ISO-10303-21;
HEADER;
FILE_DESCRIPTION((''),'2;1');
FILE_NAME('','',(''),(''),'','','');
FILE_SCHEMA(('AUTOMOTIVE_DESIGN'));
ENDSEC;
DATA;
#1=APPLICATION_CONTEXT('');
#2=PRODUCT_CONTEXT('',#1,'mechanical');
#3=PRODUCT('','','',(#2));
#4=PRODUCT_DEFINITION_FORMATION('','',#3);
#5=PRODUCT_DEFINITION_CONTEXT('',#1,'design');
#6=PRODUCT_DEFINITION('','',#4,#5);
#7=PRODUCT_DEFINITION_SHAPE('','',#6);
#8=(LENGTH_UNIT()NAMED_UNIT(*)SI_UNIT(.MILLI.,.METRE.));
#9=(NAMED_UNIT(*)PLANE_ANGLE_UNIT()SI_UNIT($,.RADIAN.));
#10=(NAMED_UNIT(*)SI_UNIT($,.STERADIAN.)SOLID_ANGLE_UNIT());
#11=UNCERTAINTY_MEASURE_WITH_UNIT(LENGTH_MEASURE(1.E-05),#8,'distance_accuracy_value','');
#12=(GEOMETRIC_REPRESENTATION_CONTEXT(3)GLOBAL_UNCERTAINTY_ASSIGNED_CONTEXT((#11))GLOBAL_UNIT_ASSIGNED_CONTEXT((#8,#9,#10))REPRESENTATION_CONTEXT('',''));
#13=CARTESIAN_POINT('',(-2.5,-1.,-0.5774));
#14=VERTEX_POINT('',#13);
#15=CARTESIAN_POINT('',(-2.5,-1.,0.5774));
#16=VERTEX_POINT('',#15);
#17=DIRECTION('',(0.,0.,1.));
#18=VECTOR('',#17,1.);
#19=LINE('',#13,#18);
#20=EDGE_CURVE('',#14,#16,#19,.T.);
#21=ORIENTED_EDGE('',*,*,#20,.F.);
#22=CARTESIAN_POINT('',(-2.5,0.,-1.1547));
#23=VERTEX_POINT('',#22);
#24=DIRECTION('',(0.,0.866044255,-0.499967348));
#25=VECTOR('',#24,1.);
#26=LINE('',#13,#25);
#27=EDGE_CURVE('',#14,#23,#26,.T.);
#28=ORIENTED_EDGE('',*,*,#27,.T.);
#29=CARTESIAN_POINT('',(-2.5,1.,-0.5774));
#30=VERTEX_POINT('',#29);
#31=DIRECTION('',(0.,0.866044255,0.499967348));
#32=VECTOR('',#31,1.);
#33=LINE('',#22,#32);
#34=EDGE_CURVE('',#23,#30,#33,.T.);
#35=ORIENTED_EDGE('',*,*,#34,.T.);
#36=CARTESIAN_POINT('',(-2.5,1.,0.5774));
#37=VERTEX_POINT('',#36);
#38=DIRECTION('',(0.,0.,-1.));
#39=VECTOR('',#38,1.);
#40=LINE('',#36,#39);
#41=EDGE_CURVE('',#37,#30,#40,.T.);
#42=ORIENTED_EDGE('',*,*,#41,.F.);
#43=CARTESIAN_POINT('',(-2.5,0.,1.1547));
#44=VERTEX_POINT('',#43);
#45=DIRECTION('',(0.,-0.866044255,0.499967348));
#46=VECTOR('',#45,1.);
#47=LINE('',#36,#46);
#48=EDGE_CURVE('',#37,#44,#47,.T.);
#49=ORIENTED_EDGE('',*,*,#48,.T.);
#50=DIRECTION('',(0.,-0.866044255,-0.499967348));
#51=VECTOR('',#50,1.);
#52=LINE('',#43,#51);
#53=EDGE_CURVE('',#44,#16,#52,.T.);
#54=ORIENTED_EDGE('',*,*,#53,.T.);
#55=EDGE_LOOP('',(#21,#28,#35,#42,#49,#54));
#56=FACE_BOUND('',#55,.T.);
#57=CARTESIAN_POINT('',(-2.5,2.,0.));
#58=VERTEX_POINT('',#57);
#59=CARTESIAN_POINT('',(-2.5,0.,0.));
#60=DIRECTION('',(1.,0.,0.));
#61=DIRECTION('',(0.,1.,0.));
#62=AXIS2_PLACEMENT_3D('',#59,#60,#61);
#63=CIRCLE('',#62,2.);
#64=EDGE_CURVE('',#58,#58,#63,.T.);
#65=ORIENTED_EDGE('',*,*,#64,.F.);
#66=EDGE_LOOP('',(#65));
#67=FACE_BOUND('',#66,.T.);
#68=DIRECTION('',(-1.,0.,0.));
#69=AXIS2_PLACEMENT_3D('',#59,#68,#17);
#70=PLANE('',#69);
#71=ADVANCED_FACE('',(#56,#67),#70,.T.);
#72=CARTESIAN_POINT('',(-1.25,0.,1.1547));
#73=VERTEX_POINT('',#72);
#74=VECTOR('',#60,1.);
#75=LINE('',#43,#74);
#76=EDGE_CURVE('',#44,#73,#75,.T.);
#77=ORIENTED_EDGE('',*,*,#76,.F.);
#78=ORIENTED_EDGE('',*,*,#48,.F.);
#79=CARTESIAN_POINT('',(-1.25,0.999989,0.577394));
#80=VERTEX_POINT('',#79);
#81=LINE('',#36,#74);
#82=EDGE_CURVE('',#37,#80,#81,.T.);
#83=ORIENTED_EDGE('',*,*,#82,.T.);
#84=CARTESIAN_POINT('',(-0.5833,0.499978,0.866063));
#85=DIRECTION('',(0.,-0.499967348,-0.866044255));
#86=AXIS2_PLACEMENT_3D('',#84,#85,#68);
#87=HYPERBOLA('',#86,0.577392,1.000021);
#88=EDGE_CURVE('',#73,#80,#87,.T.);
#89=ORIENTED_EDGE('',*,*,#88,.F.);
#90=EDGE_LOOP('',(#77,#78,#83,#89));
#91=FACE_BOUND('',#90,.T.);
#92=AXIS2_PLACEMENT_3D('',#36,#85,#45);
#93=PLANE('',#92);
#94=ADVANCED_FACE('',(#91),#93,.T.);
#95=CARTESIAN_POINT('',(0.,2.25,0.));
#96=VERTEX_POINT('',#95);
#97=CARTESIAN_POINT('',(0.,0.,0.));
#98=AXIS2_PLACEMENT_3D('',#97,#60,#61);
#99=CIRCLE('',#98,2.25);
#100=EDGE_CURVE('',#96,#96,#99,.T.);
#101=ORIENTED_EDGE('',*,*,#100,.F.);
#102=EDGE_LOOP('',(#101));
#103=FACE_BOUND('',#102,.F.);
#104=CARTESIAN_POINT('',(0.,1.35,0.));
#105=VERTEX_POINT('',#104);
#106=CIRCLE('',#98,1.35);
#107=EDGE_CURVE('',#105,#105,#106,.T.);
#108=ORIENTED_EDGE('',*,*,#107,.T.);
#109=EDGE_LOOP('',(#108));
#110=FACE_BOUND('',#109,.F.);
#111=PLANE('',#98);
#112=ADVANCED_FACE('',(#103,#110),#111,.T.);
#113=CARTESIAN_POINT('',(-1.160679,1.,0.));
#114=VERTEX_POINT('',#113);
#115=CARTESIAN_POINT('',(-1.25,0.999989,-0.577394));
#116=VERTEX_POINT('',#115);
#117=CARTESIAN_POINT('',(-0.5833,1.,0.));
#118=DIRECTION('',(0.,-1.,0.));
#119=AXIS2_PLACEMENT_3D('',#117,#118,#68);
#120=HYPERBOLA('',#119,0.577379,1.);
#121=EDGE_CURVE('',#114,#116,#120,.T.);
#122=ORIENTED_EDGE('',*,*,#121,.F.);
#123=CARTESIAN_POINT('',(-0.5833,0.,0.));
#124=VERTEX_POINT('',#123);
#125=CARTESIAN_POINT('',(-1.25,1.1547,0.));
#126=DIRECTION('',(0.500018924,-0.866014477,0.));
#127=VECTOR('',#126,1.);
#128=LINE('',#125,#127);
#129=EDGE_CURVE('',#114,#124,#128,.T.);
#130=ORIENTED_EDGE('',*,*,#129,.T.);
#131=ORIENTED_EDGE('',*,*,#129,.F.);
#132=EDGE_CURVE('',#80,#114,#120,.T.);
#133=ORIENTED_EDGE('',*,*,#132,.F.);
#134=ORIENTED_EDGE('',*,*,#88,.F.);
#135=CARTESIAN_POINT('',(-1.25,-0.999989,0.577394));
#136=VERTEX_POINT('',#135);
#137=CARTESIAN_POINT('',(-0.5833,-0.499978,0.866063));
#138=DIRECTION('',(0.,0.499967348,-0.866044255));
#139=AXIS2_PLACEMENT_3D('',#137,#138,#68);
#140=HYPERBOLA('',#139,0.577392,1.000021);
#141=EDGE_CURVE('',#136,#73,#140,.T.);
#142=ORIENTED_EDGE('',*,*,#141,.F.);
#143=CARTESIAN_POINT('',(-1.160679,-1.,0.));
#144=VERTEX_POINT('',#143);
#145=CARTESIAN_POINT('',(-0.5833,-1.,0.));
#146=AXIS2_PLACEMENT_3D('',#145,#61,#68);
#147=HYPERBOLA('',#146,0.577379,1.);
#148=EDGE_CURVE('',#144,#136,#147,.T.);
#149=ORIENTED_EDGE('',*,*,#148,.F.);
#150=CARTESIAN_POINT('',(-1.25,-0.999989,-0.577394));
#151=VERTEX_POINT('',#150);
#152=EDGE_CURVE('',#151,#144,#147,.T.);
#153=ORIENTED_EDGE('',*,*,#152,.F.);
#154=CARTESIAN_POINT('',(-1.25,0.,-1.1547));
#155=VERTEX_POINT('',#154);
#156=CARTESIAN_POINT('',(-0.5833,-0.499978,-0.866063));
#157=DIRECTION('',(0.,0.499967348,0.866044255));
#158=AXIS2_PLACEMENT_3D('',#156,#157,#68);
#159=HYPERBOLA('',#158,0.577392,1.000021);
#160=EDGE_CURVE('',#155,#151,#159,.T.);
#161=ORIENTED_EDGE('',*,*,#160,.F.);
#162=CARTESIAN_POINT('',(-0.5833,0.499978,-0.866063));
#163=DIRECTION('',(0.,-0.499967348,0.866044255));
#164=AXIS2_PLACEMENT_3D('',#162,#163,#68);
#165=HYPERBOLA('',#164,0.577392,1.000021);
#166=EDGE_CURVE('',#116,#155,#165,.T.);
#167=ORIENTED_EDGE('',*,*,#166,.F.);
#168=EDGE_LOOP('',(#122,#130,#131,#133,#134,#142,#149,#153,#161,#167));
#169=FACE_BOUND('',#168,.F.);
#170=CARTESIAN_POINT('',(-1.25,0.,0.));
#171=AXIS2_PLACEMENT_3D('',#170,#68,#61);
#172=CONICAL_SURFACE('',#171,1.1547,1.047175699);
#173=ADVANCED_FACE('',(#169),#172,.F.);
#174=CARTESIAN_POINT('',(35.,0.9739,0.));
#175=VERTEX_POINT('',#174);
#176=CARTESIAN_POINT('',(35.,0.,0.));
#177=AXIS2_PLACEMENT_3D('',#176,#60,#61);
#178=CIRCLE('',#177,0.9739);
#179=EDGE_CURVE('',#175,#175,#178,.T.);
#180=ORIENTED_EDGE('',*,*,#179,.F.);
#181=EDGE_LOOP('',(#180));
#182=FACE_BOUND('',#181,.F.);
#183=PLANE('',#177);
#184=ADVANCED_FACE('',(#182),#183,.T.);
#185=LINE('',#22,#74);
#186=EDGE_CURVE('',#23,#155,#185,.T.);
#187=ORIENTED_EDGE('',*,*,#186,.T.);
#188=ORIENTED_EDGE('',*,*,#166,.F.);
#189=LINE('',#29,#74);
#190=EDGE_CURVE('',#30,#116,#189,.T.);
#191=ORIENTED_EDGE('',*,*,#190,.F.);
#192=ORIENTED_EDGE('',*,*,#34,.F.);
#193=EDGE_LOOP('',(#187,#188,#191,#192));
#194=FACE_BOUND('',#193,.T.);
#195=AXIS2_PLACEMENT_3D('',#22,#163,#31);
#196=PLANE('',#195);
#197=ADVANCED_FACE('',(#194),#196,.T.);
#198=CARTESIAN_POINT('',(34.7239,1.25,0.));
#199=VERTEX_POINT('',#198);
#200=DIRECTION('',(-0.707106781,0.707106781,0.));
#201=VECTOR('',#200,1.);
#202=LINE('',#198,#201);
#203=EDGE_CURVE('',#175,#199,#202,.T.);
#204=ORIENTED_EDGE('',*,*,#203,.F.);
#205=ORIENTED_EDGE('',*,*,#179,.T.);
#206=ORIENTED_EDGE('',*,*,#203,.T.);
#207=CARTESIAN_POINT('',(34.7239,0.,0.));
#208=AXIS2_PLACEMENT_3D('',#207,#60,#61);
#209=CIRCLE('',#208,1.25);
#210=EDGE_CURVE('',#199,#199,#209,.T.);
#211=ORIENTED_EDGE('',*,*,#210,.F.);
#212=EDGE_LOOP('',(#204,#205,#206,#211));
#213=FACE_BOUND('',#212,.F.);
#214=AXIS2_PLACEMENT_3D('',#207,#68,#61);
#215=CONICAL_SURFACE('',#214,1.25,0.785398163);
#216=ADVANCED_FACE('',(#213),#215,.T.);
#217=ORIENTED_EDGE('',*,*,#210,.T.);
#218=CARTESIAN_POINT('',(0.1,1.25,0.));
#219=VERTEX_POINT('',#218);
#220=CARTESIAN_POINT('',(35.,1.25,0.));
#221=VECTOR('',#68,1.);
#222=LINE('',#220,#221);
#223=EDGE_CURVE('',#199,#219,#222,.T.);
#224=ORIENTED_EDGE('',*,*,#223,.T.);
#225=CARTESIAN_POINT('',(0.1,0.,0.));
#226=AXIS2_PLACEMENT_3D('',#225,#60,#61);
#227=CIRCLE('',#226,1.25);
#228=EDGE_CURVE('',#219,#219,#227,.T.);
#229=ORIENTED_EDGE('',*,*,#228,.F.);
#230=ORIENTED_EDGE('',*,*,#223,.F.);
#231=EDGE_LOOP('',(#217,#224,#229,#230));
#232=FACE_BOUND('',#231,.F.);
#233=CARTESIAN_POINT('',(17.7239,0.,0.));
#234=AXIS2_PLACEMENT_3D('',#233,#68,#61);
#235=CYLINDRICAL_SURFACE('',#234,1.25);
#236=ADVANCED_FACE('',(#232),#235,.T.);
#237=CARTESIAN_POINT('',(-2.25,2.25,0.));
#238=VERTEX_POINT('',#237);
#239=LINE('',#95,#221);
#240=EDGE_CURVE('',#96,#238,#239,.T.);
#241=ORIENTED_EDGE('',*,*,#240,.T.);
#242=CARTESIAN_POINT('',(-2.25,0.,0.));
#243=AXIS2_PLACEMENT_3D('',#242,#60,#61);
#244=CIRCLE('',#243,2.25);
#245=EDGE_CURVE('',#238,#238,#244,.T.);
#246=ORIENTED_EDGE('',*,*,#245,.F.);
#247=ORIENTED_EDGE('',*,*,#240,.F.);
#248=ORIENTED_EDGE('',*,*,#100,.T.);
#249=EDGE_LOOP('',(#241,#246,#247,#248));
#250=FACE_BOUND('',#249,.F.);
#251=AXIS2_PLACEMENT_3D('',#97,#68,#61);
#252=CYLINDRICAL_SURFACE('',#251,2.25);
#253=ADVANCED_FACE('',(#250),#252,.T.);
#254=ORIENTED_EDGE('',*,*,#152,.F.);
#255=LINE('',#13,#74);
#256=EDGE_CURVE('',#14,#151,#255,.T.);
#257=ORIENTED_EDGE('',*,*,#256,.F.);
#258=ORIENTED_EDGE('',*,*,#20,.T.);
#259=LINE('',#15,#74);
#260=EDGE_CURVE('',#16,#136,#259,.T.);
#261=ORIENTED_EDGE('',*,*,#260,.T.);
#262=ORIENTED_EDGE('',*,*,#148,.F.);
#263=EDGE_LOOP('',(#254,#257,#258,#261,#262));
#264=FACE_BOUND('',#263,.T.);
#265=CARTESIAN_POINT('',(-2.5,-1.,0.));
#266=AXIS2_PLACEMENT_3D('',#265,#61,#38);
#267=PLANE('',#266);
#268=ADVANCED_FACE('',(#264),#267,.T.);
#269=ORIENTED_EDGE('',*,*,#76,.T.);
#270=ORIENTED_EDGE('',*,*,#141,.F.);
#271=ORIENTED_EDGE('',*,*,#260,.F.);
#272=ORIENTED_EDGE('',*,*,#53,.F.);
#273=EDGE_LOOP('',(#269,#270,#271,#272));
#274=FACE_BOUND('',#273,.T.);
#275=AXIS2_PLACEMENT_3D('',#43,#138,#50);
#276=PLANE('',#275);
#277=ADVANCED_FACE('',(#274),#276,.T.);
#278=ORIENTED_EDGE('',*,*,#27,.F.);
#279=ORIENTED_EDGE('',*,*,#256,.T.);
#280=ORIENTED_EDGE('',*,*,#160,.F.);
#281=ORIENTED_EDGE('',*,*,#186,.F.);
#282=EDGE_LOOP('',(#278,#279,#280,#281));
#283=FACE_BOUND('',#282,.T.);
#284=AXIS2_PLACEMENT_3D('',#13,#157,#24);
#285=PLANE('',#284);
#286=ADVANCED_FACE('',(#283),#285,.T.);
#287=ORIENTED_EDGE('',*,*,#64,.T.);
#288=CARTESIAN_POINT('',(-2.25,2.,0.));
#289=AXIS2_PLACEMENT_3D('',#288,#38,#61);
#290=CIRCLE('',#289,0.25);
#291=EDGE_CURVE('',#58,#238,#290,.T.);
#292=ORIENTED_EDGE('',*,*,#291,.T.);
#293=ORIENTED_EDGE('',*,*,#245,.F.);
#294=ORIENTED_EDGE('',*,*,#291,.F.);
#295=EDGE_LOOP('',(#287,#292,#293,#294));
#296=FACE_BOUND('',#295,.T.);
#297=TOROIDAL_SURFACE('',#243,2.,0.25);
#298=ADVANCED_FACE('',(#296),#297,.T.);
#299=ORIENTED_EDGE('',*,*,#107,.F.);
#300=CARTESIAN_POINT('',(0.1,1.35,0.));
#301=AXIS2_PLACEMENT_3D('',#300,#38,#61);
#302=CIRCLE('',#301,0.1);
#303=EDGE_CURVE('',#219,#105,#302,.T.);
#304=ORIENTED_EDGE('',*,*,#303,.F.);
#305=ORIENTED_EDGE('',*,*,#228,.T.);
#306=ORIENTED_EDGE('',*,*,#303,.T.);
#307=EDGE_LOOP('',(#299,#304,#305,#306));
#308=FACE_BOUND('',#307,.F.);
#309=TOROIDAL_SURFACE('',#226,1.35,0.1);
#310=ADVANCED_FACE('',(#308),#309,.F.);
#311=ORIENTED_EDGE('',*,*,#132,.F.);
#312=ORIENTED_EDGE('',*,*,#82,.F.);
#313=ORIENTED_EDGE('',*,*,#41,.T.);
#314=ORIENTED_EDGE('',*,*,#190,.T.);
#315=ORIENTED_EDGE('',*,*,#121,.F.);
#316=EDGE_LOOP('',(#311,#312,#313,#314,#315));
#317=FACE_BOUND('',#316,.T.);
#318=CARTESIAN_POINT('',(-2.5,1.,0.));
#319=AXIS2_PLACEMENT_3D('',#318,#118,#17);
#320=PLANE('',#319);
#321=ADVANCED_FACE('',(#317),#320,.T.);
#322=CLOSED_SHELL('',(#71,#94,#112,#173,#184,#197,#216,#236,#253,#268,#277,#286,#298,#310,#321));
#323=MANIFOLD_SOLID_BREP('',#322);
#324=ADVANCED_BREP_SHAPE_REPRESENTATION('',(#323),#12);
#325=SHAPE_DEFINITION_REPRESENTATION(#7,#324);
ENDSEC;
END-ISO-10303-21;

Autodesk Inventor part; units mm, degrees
ref_plane "YZ Plane" through (0, 0, 0) normal (1, 0, 0) x (0, 1, 0)
ref_plane "XZ Plane" through (0, 0, 0) normal (0, 1, 0) x (-1, 0, 0)
sketch "Sketch1" plane through (0, 0, 0) normal (0, 0, 1) x (1, 0, 0)
  line L0 (-0.5833, 0) -> (35, 0)
  line L1 (35, 0) -> (35, 1.25)
  line L2 (35, 1.25) -> (18, 1.25)
  line L3 (18, 1.25) -> (17.7239, 1.25)
  line L4 (17.7239, 1.25) -> (0, 1.25)
  line L5 (0, 1.25) -> (0, 2.25)
  line L6 (0, 2.25) -> (-2.5, 2.25)
  line L7 (-2.5, 2.25) -> (-2.5, 1.1547)
  line L8 (-2.5, 1.1547) -> (-1.25, 1.1547)
  line L9 (-1.25, 1.1547) -> (-0.5833, 0)
  line L10 (-10, 0) -> (42.5, 0) projected
  line L11 (0, -0.45) -> (0, 2.7) projected
  line L12 (18, 1.25) -> (0, 1.25) construction
  dimension "d0" = 17
  dimension "d1" = 0.2761
  dimension "d2" = 2.5
  dimension "d3" = 1.25
  dimension "d4" = 60
  dimension "d5" = 2.5
  dimension "d6" = 2.5
  dimension "d7" = 2.3094
  dimension "d8" = 4.5
  dimension "d19" = 35
revolve "Body" add sketch "Sketch1" angle 360 about axis through (-0.5833, 0, 0) along (1, 0, 0)
sketch "Sketch2" plane through (-2.5, 0, 0) normal (-1, 0, 0) x (0, 0, 1)
  circle A0 centre (0, 0) radius 1.1547 projected
  line L0 (0, -3.15) -> (0, 3.15) projected
  line L1 (-3.15, 0) -> (3.15, 0) projected
  line L2 (1.1547, 0) -> (0.5774, -1)
  line L3 (0.5774, -1) -> (-0.5774, -1)
  line L4 (-0.5774, -1) -> (-1.1547, 0)
  line L5 (-1.1547, 0) -> (-0.5774, 1)
  line L6 (-0.5774, 1) -> (0.5774, 1)
  line L7 (0.5774, 1) -> (1.1547, 0)
extrude "Slot" add sketch "Sketch2" against normal up to next contours L7 A0 | A0 L2 | L6 L0 A0 | A0 L0 L3 | L0 L6 A0 | A0 L3 L0 | L4 A0 | A0 L5
fillet "Fillet2" radius 0.25 1 edges at (-2.5, -2.25, 0)
thread "Thread" size "M2.5x0.45" class "6g" standard "ISO Metric profile" length 17
chamfer "Chamfer1" distance 0.2761 distance2 0.2761 1 edges at (35, -1.25, 0) measured on face at (35, -0.9652, -0.0666)
fillet "Fillet1" radius 0.1 1 edges at (0, -1.25, 0)
ref_plane "Work Plane1" through (30, 0, 0) normal (0, -0.5, 0.866) x (1, 0, 0)
equation "\"d0\" = GEL"
equation "\"d1\" = GAL"
equation "\"d2\" = KOH"
equation "\"d3\" = INTI"
equation "\"d5\" = GD"
equation "\"d6\" = BDM"
equation "\"d7\" = 1.1547 * SW"
equation "\"d8\" = KOD"
equation "\"d19\" = NLG"
equation "\"d16\" = RR"
equation "\"d12\" = GEL"
equation "\"d14\" = -0.5 * SPD + 0.5 * GD"
equation "\"d15\" = GUL"
equation "\"d29\" = R"
equation "\"GD\" = NND"
equation "\"NLG\" = 35"
equation "\"GEL\" = 17"
equation "\"KOD\" = 4.5"
equation "\"KOH\" = 2.5"
equation "\"INTI\" = 1.25"
equation "\"GAL\" = 0.61345 * PTC"
equation "\"GUL\" = 0.61345 * PTC"
equation "\"BDM\" = NND"
equation "\"SW\" = 2"
equation "\"RR\" = 0.25"
equation "\"SPD\" = 1.94789"
equation "\"d28\" = R"
equation "\"R\" = 0.1"
equation "\"TOA\" = 30deg"
equation "\"THREADDIA\" = 2.5"
equation "\"KOD1\" = KOD"
equation "\"PTC\" = 0.45"
equation "\"NND\" = 2.5"
equation "\"E0\" = 1.155 * SW"
equation "\"GD1\" = THREADDIA - 1.2269 * PTC"
properties part number "ANSI B18.3.1M - M2,5x0,45 x 35" material "Steel, Mild"
